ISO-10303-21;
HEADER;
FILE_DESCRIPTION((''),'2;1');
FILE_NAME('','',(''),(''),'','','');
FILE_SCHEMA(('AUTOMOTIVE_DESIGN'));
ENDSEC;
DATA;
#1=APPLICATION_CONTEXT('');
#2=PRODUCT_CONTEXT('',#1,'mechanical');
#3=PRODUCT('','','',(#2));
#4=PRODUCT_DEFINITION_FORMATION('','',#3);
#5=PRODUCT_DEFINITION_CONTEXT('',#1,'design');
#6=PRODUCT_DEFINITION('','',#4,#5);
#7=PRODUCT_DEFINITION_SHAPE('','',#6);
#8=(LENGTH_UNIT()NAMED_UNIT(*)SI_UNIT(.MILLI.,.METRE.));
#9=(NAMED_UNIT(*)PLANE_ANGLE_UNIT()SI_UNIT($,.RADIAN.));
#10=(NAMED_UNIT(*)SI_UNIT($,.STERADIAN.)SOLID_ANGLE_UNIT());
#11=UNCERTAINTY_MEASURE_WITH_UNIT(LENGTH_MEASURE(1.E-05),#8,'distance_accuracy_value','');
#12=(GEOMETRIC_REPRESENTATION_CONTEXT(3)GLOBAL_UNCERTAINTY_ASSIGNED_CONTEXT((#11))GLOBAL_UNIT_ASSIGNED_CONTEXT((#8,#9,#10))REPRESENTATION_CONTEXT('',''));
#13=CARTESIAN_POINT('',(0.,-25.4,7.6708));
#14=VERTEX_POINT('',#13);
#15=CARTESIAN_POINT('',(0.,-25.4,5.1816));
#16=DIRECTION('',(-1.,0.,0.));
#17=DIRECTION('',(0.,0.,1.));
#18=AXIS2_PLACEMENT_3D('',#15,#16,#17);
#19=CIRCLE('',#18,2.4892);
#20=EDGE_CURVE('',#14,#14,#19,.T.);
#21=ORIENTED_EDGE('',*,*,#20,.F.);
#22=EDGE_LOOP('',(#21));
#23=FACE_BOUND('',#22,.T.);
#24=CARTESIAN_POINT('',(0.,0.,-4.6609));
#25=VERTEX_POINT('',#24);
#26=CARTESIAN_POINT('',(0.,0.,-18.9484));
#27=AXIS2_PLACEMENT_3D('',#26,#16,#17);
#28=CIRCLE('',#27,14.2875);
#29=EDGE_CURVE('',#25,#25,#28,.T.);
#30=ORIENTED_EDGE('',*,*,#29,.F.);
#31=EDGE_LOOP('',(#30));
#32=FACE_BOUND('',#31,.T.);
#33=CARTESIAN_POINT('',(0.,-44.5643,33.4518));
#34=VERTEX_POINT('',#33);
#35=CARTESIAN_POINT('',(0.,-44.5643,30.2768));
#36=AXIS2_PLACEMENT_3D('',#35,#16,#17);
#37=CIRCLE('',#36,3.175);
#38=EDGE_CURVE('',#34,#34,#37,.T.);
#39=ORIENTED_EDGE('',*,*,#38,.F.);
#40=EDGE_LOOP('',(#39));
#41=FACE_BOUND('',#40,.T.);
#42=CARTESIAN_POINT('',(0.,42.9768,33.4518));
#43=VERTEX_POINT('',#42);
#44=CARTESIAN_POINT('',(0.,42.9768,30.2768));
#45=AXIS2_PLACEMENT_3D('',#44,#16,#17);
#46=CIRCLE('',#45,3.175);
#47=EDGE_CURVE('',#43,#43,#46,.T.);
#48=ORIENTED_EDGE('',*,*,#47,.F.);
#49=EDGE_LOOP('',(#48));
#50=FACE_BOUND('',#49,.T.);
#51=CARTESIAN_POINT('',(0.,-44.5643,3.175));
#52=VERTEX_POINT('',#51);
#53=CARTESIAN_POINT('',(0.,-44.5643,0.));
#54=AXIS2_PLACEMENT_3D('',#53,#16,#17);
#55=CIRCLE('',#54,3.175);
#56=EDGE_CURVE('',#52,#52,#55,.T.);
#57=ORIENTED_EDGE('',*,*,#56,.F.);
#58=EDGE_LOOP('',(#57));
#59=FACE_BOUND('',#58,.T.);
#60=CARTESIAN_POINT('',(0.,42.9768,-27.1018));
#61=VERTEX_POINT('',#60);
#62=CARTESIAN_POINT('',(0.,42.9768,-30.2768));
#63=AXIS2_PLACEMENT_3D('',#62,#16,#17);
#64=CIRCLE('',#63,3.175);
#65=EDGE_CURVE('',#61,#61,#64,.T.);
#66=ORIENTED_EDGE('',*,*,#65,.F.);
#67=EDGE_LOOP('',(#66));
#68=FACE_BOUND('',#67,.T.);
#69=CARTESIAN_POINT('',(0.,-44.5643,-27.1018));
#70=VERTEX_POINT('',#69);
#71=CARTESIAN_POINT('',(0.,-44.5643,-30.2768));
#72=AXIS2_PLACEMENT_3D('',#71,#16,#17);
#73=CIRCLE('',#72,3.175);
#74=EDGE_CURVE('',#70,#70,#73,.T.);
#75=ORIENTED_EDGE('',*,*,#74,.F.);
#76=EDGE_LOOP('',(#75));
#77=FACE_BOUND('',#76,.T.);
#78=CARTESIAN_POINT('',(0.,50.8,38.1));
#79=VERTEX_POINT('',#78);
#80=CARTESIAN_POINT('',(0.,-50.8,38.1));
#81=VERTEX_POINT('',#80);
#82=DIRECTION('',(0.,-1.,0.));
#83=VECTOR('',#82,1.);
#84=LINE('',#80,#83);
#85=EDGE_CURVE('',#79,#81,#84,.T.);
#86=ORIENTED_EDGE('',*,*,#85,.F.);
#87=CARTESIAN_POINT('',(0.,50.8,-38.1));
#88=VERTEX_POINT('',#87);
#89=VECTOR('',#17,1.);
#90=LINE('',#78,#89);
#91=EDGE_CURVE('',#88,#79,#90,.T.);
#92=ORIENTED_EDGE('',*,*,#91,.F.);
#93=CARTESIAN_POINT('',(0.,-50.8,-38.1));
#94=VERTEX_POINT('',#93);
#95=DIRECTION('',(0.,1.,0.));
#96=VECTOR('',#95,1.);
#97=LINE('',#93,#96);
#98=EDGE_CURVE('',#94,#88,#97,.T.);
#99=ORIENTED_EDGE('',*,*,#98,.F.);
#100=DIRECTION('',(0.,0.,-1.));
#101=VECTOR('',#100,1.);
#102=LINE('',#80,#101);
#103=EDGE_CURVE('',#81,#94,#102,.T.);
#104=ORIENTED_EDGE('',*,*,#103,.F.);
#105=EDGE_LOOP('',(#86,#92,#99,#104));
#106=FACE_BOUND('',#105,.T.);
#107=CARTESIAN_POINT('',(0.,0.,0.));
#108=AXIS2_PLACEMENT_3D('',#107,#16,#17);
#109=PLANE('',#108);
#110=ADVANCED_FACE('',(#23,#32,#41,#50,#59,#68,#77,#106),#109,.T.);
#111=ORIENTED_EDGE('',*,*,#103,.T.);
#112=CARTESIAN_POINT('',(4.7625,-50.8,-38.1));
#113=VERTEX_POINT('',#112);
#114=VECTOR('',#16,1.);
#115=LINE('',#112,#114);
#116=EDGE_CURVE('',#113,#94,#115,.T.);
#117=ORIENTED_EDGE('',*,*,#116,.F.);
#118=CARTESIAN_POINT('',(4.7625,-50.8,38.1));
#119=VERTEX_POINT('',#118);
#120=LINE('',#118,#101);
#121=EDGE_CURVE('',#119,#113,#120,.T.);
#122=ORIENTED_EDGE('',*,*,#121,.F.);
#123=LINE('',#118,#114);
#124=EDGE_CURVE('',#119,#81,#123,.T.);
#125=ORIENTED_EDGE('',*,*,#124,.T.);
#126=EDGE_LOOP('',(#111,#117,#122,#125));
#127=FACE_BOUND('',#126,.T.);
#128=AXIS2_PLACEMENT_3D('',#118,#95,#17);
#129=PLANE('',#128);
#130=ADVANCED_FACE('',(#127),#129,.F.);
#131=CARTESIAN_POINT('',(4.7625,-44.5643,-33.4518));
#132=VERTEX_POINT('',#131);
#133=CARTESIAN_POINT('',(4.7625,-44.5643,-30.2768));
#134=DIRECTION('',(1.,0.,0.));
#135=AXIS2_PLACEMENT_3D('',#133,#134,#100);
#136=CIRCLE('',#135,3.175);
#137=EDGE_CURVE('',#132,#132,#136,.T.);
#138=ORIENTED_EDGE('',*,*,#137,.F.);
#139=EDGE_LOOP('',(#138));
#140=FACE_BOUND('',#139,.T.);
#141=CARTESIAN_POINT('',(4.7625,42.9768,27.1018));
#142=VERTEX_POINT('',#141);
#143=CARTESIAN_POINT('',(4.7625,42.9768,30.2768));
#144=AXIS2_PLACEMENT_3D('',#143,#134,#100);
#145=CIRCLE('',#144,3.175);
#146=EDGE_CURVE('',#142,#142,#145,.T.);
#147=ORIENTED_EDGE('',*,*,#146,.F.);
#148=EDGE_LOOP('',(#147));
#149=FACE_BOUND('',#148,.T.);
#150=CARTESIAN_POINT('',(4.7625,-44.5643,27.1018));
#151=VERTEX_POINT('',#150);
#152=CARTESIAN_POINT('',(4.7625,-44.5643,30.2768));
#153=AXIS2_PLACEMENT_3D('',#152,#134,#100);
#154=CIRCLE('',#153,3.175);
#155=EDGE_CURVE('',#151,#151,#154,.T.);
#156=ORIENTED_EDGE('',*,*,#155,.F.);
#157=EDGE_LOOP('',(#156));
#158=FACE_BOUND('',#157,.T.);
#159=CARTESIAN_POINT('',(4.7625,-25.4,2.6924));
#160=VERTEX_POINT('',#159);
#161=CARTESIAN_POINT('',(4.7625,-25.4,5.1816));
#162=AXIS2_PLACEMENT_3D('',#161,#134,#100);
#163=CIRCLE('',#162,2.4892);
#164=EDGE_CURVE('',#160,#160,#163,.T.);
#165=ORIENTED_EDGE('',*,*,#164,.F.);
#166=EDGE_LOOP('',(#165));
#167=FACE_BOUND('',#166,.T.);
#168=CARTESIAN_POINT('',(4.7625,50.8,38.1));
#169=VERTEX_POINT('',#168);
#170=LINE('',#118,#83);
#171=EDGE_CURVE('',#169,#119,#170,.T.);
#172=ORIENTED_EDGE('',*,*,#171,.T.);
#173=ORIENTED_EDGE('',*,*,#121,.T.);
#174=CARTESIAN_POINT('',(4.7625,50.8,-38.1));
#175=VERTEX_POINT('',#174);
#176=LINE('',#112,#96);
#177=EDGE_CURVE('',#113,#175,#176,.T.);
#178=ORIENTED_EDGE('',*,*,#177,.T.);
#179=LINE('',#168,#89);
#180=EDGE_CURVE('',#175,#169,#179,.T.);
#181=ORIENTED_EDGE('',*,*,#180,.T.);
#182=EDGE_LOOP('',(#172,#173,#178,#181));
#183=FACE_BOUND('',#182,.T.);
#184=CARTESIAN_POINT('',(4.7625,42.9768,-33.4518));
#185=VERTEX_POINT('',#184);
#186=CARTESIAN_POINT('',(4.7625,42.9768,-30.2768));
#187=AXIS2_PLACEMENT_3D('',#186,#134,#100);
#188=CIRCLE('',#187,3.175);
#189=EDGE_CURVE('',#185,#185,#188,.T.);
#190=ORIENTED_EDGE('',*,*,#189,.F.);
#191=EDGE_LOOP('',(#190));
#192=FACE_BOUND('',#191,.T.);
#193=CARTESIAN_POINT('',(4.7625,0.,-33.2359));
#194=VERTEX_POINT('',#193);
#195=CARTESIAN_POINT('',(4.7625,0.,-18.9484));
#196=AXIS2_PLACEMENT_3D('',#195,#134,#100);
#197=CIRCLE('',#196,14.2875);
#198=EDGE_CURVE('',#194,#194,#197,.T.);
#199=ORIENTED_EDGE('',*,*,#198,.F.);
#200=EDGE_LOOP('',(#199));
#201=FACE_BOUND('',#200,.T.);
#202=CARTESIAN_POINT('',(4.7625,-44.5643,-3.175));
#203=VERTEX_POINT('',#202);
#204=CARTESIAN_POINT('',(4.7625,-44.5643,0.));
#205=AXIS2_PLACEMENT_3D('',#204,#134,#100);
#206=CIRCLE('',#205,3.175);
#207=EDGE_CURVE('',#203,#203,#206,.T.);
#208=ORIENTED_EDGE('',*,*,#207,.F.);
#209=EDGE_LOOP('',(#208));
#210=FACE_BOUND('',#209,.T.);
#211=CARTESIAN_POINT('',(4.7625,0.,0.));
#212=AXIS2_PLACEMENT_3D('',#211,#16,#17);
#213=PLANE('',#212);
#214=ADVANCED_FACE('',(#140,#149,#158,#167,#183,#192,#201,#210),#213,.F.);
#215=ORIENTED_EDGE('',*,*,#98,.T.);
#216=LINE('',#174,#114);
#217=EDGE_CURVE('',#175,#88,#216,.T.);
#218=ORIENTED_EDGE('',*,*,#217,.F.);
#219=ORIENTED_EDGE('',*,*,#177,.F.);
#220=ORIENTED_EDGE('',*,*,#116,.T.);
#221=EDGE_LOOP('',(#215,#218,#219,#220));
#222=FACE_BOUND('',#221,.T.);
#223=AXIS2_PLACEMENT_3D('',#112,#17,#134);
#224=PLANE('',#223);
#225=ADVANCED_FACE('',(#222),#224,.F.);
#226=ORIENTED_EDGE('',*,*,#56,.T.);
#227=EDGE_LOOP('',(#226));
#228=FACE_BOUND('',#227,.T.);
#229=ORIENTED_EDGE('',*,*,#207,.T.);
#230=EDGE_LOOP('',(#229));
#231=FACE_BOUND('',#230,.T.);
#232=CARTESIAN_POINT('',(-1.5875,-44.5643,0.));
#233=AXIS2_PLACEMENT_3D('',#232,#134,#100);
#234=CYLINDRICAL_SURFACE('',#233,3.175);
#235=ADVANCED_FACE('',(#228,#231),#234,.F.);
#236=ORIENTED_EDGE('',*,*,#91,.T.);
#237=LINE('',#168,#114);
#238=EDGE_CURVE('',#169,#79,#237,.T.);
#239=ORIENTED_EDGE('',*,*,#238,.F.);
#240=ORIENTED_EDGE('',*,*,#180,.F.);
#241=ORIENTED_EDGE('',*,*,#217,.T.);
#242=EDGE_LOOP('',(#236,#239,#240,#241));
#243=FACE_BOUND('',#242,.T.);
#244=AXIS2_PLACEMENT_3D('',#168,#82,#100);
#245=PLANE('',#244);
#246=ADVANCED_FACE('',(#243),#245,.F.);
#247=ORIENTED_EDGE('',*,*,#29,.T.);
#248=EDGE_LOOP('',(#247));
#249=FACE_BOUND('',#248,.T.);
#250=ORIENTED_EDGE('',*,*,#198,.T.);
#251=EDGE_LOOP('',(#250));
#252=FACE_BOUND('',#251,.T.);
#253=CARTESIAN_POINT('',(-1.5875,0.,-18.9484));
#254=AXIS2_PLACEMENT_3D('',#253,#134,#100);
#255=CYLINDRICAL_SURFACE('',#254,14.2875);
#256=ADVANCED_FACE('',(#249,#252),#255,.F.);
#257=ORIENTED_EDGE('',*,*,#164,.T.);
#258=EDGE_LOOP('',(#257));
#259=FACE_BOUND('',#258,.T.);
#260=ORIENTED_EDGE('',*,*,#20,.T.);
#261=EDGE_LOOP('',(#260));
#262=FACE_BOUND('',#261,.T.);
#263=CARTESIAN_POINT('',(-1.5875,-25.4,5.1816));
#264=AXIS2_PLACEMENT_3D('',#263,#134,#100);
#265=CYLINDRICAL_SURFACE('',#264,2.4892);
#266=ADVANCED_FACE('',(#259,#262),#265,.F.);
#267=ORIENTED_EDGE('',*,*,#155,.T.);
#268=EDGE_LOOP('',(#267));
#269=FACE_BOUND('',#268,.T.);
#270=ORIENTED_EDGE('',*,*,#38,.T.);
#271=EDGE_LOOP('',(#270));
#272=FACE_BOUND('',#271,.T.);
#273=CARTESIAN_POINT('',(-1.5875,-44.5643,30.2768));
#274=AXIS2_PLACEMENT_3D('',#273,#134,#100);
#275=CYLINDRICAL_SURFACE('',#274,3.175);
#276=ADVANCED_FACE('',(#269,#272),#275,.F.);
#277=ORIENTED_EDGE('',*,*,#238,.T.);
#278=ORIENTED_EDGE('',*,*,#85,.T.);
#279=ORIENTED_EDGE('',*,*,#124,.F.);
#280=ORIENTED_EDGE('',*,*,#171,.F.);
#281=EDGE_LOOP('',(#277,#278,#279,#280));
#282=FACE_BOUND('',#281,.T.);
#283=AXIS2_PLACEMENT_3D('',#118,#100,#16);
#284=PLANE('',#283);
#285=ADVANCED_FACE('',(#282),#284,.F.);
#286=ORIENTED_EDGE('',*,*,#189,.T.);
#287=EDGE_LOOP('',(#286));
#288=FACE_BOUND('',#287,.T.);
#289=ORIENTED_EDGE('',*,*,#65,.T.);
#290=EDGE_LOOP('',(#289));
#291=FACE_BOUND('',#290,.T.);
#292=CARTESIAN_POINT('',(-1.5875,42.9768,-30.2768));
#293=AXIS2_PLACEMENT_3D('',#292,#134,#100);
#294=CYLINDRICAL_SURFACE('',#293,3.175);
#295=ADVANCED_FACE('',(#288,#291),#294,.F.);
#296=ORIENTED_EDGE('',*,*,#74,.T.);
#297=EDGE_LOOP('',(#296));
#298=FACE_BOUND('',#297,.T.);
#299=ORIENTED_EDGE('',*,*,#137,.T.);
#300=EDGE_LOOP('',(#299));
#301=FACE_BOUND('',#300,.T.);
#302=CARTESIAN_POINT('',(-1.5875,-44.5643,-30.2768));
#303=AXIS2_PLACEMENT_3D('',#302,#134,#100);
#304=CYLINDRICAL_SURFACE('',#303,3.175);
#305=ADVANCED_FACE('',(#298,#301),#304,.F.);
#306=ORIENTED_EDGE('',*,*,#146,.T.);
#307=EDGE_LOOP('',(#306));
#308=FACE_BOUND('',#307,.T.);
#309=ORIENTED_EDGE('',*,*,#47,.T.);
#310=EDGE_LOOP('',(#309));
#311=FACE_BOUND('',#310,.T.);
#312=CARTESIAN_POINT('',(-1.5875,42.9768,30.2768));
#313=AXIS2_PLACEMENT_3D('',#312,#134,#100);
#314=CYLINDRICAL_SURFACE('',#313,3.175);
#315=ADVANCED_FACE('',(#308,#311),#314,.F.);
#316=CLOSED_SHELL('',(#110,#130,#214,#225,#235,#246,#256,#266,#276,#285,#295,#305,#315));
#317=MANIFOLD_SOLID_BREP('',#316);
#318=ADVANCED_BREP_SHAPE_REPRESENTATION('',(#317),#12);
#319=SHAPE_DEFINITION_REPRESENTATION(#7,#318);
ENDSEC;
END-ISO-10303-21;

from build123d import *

# Parameters (mm, degrees)
SKETCH2_W           = 76.2
SKETCH2_H           = 101.6
BOSS_EXTRUDE1_DEPTH = 4.7625
SKETCH3_R           = 3.175
CUT_EXTRUDE1_DEPTH  = 6.35
SKETCH3_4_R         = 3.175
SKETCH3_4_R_2       = 14.2875
SKETCH3_4_R_3       = 2.4892
CUT_EXTRUDE2_DEPTH  = 6.35


with BuildPart() as part:
    # Sketch2 → Boss-Extrude1 (new body)
    with BuildSketch(Plane(origin=(0, 0, 0), x_dir=(0, 0, -1), z_dir=(1, 0, 0))):
        Rectangle(SKETCH2_W, SKETCH2_H)
    extrude(amount=BOSS_EXTRUDE1_DEPTH)

    # Sketch3 → Cut-Extrude1 (cut)
    with BuildSketch(Plane(origin=(4.7625, 0, 0), x_dir=(0, 0, -1), z_dir=(1, 0, 0))):
        with Locations((30.2768, 42.9768)):
            Circle(SKETCH3_R)
    extrude(amount=-CUT_EXTRUDE1_DEPTH, mode=Mode.SUBTRACT)

    # Sketch3<4> → Cut-Extrude2 (cut)
    with BuildSketch(Plane(origin=(4.7625, 0, 0), x_dir=(0, 0, -1), z_dir=(1, 0, 0))):
        with Locations((30.2768, -44.5643)):
            Circle(SKETCH3_4_R)
        with Locations((30.2768, 42.9768)):
            Circle(SKETCH3_4_R)
        with Locations((-30.2768, 42.9768)):
            Circle(SKETCH3_4_R)
        with Locations((-30.2768, -44.5643)):
            Circle(SKETCH3_4_R)
        with Locations((18.9484, 0)):
            Circle(SKETCH3_4_R_2)
        with Locations((-5.1816, -25.4)):
            Circle(SKETCH3_4_R_3)
        with Locations((0, -44.5643)):
            Circle(SKETCH3_4_R)
    extrude(amount=-CUT_EXTRUDE2_DEPTH, mode=Mode.SUBTRACT)


solid = part.part
